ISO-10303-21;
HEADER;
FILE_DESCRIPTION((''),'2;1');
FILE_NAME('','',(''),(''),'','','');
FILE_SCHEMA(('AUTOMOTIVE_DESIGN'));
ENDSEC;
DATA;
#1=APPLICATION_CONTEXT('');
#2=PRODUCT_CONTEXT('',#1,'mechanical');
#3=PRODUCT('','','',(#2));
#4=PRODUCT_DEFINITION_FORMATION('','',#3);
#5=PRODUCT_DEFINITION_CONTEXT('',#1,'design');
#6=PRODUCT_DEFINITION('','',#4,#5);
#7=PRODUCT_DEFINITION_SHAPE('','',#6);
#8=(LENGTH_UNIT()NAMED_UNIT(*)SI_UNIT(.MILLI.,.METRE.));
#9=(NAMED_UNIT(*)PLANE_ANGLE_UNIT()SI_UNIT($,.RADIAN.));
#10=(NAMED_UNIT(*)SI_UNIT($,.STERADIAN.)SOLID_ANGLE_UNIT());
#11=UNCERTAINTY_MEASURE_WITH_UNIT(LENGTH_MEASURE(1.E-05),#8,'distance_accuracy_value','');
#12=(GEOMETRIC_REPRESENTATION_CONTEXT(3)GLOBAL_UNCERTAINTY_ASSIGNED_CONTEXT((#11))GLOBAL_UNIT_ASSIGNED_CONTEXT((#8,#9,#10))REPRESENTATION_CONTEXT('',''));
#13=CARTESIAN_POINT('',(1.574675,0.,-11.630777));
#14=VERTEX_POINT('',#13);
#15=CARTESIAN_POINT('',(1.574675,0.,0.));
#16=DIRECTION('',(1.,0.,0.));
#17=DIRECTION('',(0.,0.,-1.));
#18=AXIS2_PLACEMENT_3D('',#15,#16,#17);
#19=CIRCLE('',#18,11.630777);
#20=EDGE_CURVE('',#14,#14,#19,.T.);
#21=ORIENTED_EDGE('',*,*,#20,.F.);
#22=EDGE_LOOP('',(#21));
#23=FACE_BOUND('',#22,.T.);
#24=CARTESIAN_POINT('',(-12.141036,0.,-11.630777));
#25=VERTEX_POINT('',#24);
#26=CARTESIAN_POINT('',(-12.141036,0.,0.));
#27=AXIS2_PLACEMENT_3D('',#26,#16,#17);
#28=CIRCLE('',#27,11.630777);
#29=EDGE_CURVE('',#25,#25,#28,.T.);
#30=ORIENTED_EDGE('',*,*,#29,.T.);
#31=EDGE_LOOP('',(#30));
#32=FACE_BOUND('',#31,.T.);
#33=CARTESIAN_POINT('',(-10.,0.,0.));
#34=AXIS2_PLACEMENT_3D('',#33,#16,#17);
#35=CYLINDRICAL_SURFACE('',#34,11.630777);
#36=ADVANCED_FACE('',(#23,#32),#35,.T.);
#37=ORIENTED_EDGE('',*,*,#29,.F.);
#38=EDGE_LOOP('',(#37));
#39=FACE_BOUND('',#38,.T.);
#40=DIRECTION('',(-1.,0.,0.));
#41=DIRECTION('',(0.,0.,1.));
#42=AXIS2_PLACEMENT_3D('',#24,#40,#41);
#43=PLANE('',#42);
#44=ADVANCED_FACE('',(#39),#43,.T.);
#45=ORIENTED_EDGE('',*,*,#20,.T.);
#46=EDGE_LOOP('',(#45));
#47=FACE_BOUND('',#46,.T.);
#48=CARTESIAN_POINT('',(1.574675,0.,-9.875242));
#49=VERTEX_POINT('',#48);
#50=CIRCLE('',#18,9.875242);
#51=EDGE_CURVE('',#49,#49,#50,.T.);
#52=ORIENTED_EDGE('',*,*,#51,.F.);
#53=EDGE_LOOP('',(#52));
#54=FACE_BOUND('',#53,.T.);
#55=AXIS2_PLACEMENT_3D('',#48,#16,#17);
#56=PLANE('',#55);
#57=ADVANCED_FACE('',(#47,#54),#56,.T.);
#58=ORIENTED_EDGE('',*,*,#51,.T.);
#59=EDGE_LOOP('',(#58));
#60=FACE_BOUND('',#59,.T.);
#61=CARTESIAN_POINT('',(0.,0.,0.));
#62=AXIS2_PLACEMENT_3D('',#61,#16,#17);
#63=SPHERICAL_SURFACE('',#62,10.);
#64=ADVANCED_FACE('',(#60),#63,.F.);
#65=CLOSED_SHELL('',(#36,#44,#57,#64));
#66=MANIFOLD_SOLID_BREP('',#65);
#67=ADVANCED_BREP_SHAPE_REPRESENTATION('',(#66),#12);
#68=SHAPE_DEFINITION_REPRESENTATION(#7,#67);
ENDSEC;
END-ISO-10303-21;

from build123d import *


with BuildPart() as part:
    # Croquis1 → Revolución1 (revolve)
    with BuildSketch(Plane(origin=(0, 0, 0), x_dir=(1, 0, 0), z_dir=(0, 1, 0))):
        with BuildLine():
            Line((-10, 0), (-12.14103606, 0))
            Line((-12.14103606, 0), (-12.14103606, 11.630777084))
            Line((-12.14103606, 11.630777084), (1.574675275, 11.630777084))
            Line((1.574675275, 11.630777084), (1.574675275, 9.875241657))
            ThreePointArc((1.574675275, 9.875241657), (-6.490502571, 7.607455315), (-10, 0))
        make_face()
    revolve(axis=Axis((-10, 0, 0), (-1, 0, 0)))


solid = part.part
